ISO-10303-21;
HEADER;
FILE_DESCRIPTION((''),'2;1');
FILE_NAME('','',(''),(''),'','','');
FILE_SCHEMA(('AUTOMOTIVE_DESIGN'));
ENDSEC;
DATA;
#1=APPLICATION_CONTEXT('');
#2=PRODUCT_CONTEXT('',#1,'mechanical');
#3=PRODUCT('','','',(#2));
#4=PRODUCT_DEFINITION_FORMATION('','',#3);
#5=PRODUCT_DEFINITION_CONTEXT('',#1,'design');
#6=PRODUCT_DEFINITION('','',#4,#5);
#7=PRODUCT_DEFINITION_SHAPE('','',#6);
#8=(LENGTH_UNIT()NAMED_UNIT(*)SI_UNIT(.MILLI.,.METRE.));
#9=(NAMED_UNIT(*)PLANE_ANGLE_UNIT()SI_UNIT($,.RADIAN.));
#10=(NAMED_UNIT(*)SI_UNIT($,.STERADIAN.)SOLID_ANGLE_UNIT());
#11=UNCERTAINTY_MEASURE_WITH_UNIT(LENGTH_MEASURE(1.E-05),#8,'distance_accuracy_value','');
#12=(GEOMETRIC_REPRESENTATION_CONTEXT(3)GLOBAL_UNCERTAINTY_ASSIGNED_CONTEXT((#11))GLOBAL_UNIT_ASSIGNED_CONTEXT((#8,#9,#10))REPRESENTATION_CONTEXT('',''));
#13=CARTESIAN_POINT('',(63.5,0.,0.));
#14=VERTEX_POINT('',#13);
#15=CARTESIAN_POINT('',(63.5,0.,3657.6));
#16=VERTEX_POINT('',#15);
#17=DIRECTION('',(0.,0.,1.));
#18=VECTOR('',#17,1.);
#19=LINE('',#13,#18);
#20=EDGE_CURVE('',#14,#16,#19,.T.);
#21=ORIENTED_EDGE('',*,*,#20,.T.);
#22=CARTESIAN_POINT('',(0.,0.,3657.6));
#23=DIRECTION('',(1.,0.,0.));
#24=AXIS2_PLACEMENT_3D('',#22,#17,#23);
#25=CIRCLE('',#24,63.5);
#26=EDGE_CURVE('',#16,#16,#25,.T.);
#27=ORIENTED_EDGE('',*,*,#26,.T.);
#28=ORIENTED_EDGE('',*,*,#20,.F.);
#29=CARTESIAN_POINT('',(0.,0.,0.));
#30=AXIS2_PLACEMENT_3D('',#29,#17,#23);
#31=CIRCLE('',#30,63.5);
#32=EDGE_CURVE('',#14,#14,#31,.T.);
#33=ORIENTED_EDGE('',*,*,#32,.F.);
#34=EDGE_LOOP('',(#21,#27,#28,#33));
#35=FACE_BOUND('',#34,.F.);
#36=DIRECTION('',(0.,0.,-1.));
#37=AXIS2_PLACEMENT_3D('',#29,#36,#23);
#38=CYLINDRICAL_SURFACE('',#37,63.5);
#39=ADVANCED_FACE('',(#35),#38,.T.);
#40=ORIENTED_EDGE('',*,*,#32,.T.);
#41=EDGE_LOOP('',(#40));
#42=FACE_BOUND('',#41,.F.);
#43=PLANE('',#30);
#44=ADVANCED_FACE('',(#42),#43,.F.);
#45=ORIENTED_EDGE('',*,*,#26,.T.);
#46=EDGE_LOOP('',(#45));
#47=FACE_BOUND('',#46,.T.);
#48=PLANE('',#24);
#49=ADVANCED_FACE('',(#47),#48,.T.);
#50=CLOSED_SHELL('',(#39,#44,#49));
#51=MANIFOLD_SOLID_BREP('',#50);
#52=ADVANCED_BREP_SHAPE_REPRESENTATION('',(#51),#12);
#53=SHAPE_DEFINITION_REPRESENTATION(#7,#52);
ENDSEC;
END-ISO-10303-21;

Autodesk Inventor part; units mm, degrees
ref_plane "YZ Plane" through (0, 0, 0) normal (1, 0, 0) x (0, 1, 0)
ref_plane "XZ Plane" through (0, 0, 0) normal (0, 1, 0) x (-1, 0, 0)
ref_plane "XY Plane" through (0, 0, 0) normal (0, 0, 1) x (1, 0, 0)
sketch "Sketch1" plane through (0, 0, 0) normal (0, 0, 1) x (1, 0, 0)
  circle A0 centre (0, 0) radius 63.5
  dimension "d0" = 127
extrude "Extrusion1" add sketch "Sketch1" along normal blind 3657.6
properties part number "ConnectionBarAJB"
